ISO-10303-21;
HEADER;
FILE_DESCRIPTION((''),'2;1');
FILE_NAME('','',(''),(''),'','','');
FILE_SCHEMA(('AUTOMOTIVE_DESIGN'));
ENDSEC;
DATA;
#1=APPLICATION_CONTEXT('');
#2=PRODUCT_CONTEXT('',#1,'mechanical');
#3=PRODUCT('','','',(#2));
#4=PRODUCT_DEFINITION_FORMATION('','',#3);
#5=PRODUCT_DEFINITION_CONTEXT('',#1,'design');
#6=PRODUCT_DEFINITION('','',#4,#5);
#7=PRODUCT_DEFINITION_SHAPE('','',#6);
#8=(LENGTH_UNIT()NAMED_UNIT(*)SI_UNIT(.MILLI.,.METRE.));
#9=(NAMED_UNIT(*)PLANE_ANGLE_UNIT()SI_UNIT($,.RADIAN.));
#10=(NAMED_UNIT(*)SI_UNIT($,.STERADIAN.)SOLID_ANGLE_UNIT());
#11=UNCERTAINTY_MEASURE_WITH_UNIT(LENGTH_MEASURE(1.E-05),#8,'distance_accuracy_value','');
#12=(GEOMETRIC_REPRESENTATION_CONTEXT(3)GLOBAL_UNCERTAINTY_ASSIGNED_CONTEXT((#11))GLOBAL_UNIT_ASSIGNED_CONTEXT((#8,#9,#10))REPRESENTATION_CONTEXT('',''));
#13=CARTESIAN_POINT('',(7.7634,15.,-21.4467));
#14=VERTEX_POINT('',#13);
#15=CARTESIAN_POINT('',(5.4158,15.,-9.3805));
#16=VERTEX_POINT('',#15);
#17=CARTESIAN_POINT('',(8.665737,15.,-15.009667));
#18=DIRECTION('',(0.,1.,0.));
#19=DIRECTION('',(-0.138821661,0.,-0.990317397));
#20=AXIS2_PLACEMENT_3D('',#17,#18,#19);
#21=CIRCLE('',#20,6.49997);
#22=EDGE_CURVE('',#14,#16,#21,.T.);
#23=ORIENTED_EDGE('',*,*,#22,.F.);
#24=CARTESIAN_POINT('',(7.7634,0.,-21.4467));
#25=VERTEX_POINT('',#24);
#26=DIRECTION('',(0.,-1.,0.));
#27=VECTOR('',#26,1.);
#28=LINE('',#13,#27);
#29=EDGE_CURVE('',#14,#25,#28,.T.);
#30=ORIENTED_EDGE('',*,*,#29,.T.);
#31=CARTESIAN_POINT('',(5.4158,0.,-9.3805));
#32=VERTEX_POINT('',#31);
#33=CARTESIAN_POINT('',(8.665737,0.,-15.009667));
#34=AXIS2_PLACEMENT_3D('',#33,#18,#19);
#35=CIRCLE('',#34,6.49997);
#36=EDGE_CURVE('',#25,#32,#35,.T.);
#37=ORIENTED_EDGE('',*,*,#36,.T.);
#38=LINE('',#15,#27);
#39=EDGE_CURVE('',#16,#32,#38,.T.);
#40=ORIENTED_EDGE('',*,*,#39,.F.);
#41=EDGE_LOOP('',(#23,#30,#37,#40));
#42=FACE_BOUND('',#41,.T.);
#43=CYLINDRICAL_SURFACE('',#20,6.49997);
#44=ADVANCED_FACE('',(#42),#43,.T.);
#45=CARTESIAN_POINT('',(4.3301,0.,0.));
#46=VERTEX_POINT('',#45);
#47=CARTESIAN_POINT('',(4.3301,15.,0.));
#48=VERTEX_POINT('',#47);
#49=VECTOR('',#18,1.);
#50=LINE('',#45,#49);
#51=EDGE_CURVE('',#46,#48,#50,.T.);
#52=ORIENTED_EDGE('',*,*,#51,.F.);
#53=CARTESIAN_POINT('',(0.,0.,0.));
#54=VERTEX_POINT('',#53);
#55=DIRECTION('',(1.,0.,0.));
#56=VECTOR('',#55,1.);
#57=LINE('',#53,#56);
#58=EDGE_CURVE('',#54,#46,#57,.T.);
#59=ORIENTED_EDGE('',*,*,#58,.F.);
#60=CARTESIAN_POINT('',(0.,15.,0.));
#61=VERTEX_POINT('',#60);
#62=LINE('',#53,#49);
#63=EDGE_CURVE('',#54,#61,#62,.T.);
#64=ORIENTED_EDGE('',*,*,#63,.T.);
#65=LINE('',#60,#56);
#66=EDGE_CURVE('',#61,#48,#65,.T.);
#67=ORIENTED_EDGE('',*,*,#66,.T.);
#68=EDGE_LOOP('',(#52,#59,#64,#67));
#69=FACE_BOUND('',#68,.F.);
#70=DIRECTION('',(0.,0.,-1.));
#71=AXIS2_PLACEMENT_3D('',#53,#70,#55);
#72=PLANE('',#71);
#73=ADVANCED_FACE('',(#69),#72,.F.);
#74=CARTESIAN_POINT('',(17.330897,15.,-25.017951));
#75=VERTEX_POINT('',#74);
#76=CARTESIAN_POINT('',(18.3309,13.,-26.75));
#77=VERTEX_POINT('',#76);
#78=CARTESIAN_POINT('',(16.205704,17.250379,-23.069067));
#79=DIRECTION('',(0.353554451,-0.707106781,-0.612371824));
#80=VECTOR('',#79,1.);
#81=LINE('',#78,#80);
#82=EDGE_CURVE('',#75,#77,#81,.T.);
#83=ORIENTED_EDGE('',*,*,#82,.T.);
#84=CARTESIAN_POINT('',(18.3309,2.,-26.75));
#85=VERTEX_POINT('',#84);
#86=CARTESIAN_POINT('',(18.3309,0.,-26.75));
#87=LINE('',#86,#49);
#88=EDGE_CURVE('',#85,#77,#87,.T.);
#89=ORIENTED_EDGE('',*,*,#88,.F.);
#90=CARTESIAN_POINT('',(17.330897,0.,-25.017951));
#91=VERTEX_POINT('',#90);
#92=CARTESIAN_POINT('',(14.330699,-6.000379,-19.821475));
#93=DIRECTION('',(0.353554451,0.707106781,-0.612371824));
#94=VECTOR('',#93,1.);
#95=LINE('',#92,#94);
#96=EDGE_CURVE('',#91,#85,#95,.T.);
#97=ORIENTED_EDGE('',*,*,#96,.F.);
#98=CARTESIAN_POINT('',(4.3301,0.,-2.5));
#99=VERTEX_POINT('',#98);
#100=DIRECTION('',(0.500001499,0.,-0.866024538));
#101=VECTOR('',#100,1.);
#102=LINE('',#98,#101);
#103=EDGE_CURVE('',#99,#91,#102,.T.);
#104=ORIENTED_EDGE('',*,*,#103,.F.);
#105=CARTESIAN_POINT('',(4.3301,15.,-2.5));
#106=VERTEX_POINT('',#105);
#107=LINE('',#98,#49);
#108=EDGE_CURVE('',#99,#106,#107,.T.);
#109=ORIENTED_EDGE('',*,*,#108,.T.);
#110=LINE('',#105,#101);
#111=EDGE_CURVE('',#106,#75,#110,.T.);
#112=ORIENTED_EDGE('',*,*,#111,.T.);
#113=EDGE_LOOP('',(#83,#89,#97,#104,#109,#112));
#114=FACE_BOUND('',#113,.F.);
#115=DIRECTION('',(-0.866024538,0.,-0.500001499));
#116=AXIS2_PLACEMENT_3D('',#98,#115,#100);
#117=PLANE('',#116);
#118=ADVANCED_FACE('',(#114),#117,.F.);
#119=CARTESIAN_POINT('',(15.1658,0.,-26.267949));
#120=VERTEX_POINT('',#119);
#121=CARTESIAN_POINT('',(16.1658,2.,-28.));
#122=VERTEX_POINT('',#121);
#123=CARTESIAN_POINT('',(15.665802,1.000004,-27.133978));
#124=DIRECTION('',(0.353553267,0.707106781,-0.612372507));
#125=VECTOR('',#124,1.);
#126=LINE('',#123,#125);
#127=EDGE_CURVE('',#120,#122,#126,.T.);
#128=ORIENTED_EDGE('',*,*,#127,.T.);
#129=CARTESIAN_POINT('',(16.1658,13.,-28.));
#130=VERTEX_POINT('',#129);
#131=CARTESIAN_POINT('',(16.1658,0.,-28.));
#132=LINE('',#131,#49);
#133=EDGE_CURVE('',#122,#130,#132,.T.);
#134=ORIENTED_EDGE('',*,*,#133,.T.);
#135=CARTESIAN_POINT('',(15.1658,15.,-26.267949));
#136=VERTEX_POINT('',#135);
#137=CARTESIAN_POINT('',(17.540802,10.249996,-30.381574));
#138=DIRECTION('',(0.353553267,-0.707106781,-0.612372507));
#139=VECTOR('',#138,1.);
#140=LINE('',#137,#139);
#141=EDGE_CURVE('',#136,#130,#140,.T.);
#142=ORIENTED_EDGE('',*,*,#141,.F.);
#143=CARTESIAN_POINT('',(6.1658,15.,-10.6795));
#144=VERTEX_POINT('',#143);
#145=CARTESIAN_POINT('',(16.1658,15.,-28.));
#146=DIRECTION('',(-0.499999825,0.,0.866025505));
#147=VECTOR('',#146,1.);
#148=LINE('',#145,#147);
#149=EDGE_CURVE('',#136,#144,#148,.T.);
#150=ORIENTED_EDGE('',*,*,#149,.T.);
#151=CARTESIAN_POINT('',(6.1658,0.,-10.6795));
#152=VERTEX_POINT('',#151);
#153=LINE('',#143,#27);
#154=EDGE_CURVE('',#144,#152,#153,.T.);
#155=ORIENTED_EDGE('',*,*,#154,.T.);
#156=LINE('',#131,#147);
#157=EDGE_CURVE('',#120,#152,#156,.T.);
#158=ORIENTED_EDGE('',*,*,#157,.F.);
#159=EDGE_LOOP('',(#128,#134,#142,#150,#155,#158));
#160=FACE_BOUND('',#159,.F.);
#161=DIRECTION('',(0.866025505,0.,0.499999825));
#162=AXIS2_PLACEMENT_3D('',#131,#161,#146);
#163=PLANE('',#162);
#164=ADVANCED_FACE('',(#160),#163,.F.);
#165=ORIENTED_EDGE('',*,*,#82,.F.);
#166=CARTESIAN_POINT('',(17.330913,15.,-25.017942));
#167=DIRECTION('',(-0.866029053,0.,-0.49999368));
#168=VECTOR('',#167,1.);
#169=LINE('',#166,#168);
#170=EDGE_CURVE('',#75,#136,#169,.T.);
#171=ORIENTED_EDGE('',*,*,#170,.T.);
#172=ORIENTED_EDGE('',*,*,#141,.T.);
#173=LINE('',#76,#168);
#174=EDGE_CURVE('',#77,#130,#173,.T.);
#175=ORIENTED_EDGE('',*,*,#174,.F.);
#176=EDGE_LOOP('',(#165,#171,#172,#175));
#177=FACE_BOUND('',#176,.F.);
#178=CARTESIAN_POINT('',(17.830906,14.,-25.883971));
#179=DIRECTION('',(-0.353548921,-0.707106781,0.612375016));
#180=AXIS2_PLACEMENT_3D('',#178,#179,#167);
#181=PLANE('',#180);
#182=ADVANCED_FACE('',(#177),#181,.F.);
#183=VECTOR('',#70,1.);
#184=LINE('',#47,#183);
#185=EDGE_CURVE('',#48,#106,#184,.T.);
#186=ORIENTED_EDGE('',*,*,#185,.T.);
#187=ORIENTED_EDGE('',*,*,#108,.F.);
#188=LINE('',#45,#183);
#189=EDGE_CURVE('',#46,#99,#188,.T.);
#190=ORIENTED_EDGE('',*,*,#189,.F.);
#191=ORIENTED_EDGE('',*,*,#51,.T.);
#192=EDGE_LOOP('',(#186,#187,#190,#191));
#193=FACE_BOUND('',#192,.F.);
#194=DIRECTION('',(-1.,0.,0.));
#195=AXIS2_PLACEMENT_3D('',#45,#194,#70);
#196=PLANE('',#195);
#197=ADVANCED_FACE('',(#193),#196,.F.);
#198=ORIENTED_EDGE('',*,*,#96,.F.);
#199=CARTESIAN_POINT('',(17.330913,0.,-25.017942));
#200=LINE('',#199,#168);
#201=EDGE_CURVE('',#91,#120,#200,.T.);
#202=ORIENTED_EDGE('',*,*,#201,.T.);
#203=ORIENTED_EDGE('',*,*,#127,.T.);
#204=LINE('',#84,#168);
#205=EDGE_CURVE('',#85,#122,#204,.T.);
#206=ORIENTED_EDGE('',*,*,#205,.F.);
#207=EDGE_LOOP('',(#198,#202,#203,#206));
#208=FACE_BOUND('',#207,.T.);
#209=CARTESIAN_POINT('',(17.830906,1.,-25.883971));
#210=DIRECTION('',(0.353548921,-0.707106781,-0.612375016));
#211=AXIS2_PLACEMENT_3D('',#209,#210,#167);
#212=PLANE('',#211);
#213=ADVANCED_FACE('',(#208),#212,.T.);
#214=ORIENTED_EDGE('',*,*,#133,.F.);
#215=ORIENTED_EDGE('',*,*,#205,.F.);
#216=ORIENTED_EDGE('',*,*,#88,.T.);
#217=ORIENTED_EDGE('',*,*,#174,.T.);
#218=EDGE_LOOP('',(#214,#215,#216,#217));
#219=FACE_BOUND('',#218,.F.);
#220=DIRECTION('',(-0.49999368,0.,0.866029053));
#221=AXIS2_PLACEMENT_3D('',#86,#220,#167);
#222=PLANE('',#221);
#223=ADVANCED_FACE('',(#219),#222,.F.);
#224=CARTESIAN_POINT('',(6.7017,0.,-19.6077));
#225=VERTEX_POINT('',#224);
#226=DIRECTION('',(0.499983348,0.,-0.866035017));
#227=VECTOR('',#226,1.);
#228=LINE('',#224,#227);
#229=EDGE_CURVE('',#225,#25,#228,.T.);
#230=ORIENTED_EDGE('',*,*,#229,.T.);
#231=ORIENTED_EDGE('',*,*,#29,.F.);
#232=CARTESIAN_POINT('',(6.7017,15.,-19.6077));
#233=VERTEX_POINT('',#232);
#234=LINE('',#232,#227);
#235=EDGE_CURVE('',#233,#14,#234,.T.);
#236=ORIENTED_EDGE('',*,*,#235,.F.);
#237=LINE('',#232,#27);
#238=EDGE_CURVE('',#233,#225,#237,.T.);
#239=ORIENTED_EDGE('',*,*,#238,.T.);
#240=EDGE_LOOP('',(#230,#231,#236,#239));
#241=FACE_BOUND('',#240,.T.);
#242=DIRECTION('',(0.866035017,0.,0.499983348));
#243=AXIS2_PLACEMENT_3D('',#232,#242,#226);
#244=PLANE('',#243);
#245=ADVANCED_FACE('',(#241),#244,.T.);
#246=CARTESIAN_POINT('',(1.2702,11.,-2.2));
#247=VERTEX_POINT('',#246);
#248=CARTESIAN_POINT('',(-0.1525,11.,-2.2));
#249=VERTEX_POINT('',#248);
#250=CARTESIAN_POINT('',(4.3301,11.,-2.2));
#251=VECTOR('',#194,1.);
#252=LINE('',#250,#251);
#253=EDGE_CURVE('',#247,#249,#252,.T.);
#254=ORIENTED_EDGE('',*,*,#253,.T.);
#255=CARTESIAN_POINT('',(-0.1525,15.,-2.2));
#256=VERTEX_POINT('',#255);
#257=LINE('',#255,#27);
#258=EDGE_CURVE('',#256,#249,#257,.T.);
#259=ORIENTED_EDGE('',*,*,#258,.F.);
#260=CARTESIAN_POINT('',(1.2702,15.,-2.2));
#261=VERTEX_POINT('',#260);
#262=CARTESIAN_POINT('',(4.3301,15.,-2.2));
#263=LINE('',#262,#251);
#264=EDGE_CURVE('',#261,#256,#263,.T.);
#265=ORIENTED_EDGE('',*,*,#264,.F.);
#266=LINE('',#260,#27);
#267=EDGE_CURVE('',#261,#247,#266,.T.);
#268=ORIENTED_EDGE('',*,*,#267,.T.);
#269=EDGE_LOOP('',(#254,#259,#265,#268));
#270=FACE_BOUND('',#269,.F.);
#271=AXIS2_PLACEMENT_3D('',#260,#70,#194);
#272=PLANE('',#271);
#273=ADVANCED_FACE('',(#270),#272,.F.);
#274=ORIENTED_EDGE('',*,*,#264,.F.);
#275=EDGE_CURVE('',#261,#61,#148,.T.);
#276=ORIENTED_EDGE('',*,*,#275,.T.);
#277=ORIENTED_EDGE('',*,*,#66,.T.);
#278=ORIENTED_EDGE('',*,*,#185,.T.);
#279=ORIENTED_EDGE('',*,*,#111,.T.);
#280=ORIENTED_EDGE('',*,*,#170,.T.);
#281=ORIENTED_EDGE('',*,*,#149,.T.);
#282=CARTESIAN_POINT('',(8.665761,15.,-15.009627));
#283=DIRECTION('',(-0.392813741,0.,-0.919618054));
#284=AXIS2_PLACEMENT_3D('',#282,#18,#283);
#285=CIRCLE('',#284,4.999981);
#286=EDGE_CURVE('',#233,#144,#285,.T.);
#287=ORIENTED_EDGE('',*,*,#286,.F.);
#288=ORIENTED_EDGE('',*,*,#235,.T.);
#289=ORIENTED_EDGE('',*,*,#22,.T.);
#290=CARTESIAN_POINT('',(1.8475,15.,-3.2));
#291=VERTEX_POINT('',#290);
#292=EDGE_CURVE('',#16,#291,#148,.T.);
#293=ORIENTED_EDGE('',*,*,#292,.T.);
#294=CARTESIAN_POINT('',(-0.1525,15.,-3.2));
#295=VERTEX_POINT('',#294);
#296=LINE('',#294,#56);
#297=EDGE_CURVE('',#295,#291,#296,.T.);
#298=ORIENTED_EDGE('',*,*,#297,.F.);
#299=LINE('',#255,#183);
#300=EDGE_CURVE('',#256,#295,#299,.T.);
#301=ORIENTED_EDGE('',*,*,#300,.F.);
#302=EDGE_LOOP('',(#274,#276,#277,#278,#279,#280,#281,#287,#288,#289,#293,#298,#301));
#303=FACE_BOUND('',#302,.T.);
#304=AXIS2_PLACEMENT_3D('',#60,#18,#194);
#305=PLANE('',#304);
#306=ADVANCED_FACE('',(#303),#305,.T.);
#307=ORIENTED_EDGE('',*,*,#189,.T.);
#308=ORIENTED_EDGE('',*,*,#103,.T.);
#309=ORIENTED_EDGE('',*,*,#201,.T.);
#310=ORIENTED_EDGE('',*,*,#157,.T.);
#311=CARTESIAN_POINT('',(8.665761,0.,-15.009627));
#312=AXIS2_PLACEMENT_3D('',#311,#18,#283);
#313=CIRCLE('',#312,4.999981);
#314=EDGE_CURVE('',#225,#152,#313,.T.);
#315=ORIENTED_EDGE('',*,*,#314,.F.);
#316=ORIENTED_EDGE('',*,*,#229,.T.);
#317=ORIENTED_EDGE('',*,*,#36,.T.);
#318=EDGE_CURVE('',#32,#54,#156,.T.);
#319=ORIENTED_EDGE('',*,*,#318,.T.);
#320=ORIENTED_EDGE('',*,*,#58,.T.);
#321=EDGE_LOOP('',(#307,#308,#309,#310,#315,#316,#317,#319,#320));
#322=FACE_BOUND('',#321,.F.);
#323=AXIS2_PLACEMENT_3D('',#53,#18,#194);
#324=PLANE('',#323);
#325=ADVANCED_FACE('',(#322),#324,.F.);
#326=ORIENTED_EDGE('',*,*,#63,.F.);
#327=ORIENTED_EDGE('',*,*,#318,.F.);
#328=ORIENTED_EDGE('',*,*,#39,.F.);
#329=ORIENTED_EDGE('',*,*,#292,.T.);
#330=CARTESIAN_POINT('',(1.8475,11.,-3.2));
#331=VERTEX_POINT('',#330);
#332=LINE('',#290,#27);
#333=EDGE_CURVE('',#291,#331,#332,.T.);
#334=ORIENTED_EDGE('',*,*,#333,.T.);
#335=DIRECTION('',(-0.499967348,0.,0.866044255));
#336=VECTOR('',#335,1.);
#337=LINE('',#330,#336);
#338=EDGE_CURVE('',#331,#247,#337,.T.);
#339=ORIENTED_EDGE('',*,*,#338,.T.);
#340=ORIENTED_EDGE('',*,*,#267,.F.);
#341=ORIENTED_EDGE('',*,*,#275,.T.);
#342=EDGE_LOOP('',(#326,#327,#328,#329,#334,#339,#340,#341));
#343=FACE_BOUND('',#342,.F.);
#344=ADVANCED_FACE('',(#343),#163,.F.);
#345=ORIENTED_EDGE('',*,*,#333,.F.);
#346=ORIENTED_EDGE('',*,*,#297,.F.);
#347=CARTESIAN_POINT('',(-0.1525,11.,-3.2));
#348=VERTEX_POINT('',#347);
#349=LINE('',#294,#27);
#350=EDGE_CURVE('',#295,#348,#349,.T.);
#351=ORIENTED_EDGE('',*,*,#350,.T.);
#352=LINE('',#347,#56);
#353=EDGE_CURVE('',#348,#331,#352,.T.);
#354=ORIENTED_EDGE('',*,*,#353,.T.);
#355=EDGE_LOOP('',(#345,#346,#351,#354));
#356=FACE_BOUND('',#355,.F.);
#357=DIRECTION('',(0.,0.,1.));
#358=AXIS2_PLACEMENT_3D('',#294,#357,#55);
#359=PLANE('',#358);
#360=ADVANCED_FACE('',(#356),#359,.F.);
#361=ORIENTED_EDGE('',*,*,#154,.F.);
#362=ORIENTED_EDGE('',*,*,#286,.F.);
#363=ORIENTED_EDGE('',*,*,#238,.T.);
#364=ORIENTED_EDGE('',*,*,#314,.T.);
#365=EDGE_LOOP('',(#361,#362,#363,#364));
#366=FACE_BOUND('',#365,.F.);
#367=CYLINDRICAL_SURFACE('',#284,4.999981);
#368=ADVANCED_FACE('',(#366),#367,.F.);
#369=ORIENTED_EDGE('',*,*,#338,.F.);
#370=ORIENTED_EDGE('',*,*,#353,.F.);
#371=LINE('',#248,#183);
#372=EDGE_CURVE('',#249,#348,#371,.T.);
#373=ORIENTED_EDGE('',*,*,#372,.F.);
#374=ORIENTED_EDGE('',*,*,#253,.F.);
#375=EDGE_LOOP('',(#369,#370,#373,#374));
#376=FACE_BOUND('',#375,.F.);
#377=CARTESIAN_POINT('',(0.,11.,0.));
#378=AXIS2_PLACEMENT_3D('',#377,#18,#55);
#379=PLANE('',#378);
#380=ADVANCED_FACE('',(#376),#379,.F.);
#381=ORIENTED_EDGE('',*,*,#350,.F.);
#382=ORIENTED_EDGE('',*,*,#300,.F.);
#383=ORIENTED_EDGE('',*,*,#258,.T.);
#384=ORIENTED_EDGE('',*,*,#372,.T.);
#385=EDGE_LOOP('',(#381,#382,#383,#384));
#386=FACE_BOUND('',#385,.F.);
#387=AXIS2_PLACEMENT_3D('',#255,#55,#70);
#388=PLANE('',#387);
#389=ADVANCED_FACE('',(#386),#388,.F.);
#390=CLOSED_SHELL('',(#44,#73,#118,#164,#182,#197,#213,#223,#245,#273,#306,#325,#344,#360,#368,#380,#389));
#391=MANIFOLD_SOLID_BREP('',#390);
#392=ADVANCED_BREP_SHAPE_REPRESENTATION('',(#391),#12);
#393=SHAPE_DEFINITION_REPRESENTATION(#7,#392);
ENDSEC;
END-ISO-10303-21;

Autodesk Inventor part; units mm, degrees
ref_plane "YZ Plane" through (0, 0, 0) normal (1, 0, 0) x (0, 1, 0)
ref_plane "XZ Plane" through (0, 0, 0) normal (0, 1, 0) x (-1, 0, 0)
ref_plane "XY Plane" through (0, 0, 0) normal (0, 0, 1) x (1, 0, 0)
sketch "Sketch22" plane through (0, 0, 0) normal (0, 1, 0) x (-1, 0, 0)
  line L0 (0, 0) -> (-4.3301, 0)
  line L1 (-4.3301, 0) -> (-4.3301, -2.5)
  line L2 (-4.3301, -2.5) -> (-18.3309, -26.75)
  line L3 (-18.3309, -26.75) -> (-16.1658, -28)
  line L4 (-16.1658, -28) -> (0, 0)
  dimension "d180" = 60
  dimension "d182" = 2.5
  dimension "d184" = 2.5
  dimension "d185" = 28
extrude "Extrusion22" add sketch "Sketch22" along normal blind 15
sketch "Sketch23" plane through (0, 15, 0) normal (0, 1, 0) x (1, 0, 0)
  line L0 (16.1658, 28) -> (0, 0) projected
  arc A0 (6.7017, 19.6077) -> (6.1658, 10.6795) centre (8.6658, 15.0096) ccw
  arc A1 (7.7634, 21.4467) -> (5.4158, 9.3805) centre (8.6658, 15.0096) ccw
  line L1 (18.3309, 26.75) -> (16.1658, 28) projected
  line L2 (6.7017, 19.6077) -> (7.7634, 21.4467)
  dimension "d188" = 10
  dimension "d189" = 1.5
  dimension "d190" = 15
  dimension "d191" = 4
extrude "Extrusion23" add sketch "Sketch23" against normal blind 15
sketch "Sketch24" plane through (0, 15, 0) normal (0, 1, 0) x (1, 0, 0)
  line L0 (4.3301, 0) -> (4.3301, 2.5) projected
  line L1 (4.3301, 2.2) -> (-0.1525, 2.2)
  line L2 (0, 0) -> (4.3301, 0) projected
  line L3 (-0.1525, 2.2) -> (-0.1525, 3.2)
  line L4 (-0.1525, 3.2) -> (1.8475, 3.2)
  line L5 (1.8475, 3.2) -> (1.2702, 2.2)
  line L6 (5.4158, 9.3805) -> (0, 0) projected
  dimension "d194" = 2.2
  dimension "d195" = 2
  dimension "d196" = 1
extrude "Extrusion24" add sketch "Sketch24" against normal blind 4 contours L1 L3 L4 L5
chamfer "Chamfer6" distance 2 angle 45 2 edges at (17.2483, 15, -27.375) (17.2483, 0, -27.375)
properties part number "part_v3-4_3"
